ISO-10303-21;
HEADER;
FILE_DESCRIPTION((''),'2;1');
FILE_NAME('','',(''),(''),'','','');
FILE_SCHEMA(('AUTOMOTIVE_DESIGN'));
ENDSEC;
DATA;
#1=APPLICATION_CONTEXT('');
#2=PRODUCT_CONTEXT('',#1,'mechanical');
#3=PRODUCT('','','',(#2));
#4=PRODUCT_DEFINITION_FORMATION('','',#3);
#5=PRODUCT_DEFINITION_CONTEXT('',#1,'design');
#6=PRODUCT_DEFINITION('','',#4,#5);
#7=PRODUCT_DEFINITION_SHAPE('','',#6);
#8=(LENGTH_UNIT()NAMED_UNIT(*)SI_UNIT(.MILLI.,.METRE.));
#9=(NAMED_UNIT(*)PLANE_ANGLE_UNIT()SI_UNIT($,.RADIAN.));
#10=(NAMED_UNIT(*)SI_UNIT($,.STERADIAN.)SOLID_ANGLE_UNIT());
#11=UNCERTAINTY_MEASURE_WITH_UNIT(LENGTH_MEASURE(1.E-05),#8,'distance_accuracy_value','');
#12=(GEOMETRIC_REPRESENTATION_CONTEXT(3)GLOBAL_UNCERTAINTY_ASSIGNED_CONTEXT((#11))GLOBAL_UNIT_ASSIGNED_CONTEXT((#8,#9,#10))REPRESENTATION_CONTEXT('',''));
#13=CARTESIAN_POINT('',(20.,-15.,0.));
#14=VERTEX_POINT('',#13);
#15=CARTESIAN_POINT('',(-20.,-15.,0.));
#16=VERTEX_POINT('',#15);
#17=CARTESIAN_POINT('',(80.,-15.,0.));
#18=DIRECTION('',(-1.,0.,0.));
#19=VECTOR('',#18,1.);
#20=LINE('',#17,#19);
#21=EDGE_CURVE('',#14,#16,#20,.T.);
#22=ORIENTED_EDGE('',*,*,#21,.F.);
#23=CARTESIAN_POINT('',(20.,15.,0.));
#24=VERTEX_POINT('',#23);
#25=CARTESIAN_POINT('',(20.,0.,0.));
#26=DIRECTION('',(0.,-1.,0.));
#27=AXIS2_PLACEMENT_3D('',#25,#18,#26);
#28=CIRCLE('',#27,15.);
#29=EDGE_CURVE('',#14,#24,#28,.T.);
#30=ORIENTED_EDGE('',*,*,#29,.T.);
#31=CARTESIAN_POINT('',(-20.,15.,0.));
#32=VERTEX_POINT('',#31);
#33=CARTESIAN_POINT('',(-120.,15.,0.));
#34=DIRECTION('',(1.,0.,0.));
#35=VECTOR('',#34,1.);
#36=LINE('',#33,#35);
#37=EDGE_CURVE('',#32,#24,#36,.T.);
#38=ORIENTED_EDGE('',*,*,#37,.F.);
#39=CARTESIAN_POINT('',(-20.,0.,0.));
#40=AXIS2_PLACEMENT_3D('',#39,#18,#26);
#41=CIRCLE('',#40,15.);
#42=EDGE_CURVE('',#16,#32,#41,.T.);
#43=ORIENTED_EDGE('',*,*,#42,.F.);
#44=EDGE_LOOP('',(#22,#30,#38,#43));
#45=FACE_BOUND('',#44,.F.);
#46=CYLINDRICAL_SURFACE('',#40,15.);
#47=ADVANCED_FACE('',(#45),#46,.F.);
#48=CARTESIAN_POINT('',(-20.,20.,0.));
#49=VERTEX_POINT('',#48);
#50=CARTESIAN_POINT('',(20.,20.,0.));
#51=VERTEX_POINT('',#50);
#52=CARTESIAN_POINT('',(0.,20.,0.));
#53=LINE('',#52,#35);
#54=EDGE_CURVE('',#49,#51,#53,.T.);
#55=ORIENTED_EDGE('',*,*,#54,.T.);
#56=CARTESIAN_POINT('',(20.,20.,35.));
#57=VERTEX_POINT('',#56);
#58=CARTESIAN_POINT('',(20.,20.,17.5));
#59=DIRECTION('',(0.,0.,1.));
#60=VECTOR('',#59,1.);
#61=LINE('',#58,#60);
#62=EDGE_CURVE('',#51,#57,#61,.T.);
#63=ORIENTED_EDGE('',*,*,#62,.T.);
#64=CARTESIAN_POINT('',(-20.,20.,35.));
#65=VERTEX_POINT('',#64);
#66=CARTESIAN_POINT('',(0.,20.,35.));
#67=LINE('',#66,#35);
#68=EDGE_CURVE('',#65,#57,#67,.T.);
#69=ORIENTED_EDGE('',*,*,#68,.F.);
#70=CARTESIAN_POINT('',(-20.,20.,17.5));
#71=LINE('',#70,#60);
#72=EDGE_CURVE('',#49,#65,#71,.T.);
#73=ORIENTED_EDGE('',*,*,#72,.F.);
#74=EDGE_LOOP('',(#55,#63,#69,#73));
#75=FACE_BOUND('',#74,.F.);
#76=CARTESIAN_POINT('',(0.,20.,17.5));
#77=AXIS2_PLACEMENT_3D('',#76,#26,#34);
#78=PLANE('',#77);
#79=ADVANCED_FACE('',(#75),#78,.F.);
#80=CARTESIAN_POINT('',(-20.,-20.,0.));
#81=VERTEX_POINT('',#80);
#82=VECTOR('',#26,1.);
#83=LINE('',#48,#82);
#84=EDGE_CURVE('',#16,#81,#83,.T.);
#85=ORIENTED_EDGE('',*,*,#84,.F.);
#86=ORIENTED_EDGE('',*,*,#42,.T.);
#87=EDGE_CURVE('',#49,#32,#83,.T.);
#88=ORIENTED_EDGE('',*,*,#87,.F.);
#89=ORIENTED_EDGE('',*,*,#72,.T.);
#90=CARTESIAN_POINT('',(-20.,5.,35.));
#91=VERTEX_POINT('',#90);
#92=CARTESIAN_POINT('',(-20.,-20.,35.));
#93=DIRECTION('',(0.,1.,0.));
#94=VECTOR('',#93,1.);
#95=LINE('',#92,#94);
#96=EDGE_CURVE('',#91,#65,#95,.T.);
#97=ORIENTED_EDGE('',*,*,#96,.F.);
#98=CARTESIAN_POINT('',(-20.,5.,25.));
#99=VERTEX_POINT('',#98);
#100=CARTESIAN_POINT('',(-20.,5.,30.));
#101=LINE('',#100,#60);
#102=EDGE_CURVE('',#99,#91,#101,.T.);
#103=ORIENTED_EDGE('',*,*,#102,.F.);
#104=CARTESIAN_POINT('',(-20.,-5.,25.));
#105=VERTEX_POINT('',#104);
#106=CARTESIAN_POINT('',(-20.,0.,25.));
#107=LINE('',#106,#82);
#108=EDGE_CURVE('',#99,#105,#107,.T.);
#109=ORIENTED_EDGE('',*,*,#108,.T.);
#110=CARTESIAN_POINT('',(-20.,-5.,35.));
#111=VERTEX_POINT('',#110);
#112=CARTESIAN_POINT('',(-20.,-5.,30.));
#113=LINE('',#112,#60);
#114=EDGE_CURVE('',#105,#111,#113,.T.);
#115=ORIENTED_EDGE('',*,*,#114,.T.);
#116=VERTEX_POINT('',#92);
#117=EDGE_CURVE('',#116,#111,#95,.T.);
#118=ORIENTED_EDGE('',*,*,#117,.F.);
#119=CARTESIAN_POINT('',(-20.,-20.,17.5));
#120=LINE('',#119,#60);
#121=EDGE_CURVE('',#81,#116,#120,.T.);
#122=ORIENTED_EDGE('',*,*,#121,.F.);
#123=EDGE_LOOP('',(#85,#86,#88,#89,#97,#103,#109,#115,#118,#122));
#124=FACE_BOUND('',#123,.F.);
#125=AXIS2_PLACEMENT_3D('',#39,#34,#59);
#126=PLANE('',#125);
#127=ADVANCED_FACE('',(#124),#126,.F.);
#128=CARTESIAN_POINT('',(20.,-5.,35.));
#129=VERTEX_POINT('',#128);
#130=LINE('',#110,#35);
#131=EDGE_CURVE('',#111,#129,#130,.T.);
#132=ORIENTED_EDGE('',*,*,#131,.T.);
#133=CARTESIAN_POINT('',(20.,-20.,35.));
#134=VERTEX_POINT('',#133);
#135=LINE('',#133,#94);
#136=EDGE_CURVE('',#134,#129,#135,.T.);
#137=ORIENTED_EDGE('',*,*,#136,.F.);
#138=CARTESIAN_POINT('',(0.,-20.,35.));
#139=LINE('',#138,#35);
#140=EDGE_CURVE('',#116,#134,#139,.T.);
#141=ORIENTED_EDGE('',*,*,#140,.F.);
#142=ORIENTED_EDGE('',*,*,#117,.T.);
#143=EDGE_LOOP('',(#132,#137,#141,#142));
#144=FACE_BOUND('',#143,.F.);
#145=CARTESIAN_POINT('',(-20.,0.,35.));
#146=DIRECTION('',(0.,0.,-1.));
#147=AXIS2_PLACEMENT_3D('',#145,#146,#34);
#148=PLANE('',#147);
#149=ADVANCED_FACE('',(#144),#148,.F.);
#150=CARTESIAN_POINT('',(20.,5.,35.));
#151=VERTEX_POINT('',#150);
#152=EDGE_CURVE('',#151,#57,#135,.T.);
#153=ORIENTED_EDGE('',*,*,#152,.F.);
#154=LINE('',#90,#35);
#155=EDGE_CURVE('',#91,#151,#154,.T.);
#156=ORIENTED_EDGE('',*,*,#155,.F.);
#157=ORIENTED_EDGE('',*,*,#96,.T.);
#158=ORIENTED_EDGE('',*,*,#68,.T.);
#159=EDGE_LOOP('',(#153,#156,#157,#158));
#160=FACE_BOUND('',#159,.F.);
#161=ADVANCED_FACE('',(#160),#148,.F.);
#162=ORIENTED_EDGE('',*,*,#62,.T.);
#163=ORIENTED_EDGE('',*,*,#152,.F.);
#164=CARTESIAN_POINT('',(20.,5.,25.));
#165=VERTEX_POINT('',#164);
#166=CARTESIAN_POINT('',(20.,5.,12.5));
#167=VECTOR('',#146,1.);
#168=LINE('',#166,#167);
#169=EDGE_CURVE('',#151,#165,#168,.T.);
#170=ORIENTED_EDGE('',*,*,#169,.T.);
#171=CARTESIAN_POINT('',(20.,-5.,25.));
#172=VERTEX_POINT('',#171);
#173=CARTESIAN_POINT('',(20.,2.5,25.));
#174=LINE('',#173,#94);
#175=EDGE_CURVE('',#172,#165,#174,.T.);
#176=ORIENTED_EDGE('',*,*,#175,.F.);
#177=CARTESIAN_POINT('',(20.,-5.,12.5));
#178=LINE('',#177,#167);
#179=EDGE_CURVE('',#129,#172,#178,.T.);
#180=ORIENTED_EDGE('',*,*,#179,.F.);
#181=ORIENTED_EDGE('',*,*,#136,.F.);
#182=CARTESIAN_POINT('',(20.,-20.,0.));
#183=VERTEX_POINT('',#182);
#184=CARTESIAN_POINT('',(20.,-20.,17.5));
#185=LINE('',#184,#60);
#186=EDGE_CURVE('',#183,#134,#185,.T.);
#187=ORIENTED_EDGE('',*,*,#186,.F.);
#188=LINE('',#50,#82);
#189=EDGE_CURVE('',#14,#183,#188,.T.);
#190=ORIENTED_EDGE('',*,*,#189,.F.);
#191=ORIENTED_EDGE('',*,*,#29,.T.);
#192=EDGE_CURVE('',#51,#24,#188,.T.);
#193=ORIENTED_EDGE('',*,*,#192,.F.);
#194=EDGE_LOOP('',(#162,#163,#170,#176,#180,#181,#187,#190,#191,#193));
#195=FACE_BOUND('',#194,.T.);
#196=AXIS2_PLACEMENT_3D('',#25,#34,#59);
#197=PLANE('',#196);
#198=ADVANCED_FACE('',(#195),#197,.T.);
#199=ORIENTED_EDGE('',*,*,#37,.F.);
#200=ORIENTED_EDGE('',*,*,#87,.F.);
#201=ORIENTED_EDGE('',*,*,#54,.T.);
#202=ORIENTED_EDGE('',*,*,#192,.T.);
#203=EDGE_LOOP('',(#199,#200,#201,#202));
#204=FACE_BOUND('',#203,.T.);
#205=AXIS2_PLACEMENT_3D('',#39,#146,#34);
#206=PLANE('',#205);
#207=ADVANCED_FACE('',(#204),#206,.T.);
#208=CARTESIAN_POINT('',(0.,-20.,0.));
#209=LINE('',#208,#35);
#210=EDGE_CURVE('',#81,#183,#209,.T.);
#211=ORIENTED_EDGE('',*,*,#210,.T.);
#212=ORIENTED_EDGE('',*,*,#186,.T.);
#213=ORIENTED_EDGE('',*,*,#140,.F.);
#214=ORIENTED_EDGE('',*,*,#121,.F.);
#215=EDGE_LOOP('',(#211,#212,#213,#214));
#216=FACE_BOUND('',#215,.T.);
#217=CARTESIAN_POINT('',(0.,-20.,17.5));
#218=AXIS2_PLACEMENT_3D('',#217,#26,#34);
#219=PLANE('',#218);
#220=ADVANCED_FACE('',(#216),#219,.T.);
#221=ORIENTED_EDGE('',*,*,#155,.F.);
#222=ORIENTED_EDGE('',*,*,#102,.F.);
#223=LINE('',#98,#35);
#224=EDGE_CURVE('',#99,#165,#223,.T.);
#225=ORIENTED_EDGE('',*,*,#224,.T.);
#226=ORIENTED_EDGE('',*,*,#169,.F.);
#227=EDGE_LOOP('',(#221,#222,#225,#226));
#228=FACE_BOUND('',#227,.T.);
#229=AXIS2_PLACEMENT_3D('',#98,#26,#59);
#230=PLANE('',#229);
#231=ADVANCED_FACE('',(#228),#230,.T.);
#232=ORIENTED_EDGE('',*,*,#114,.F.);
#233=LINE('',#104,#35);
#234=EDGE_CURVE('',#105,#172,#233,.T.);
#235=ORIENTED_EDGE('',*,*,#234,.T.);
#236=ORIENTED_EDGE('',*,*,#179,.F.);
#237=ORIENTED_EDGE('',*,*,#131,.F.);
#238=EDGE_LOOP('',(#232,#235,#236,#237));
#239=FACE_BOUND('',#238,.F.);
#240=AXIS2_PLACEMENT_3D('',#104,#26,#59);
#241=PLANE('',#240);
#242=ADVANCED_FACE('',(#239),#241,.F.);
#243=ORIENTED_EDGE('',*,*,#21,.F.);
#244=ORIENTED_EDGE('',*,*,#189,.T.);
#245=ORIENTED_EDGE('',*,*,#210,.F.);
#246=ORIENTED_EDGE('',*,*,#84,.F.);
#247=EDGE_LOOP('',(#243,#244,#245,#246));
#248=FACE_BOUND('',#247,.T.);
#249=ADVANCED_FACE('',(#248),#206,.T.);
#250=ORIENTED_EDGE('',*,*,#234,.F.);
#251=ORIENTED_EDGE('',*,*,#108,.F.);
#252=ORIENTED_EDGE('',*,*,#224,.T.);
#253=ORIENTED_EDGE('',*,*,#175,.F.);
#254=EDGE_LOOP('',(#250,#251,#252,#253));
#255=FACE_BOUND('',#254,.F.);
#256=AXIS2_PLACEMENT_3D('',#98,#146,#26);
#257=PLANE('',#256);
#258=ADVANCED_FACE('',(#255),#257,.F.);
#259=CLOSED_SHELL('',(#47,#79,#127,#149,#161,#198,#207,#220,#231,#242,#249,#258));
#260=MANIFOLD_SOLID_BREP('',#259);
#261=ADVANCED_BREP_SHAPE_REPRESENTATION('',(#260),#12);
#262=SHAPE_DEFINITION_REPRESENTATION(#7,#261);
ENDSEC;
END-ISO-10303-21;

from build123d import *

# Parameters (mm, degrees)
F0_W     = 40
F0_H     = 35
F1_DEPTH = 20
F3_DEPTH = 100
F2_W     = 10
F2_H     = 10
F4_DEPTH = 40.001


with BuildPart() as f1:
    # F0 (on Front) → F1 (new body, symmetric)
    with BuildSketch(Plane.XZ):
        with Locations((0, 17.5)):
            Rectangle(F0_W, F0_H)
    extrude(amount=F1_DEPTH, both=True)

    # F2 (on face) → F3 (cut, symmetric)
    with BuildSketch(Plane(origin=(-20, 0, 0), x_dir=(0, -1, 0), z_dir=(-1, 0, 0))):
        with BuildLine():
            Line((-15, 0), (15, 0))
            ThreePointArc((15, 0), (0, 15), (-15, 0))
        make_face()
    extrude(amount=F3_DEPTH, both=True, mode=Mode.SUBTRACT)

    # F2 (on face) → F4 (cut, through all)
    with BuildSketch(Plane(origin=(-20, 0, 0), x_dir=(0, -1, 0), z_dir=(-1, 0, 0))):
        with Locations((0, 30)):
            Rectangle(F2_W, F2_H)
    extrude(amount=-F4_DEPTH, mode=Mode.SUBTRACT)


solid = f1.part
